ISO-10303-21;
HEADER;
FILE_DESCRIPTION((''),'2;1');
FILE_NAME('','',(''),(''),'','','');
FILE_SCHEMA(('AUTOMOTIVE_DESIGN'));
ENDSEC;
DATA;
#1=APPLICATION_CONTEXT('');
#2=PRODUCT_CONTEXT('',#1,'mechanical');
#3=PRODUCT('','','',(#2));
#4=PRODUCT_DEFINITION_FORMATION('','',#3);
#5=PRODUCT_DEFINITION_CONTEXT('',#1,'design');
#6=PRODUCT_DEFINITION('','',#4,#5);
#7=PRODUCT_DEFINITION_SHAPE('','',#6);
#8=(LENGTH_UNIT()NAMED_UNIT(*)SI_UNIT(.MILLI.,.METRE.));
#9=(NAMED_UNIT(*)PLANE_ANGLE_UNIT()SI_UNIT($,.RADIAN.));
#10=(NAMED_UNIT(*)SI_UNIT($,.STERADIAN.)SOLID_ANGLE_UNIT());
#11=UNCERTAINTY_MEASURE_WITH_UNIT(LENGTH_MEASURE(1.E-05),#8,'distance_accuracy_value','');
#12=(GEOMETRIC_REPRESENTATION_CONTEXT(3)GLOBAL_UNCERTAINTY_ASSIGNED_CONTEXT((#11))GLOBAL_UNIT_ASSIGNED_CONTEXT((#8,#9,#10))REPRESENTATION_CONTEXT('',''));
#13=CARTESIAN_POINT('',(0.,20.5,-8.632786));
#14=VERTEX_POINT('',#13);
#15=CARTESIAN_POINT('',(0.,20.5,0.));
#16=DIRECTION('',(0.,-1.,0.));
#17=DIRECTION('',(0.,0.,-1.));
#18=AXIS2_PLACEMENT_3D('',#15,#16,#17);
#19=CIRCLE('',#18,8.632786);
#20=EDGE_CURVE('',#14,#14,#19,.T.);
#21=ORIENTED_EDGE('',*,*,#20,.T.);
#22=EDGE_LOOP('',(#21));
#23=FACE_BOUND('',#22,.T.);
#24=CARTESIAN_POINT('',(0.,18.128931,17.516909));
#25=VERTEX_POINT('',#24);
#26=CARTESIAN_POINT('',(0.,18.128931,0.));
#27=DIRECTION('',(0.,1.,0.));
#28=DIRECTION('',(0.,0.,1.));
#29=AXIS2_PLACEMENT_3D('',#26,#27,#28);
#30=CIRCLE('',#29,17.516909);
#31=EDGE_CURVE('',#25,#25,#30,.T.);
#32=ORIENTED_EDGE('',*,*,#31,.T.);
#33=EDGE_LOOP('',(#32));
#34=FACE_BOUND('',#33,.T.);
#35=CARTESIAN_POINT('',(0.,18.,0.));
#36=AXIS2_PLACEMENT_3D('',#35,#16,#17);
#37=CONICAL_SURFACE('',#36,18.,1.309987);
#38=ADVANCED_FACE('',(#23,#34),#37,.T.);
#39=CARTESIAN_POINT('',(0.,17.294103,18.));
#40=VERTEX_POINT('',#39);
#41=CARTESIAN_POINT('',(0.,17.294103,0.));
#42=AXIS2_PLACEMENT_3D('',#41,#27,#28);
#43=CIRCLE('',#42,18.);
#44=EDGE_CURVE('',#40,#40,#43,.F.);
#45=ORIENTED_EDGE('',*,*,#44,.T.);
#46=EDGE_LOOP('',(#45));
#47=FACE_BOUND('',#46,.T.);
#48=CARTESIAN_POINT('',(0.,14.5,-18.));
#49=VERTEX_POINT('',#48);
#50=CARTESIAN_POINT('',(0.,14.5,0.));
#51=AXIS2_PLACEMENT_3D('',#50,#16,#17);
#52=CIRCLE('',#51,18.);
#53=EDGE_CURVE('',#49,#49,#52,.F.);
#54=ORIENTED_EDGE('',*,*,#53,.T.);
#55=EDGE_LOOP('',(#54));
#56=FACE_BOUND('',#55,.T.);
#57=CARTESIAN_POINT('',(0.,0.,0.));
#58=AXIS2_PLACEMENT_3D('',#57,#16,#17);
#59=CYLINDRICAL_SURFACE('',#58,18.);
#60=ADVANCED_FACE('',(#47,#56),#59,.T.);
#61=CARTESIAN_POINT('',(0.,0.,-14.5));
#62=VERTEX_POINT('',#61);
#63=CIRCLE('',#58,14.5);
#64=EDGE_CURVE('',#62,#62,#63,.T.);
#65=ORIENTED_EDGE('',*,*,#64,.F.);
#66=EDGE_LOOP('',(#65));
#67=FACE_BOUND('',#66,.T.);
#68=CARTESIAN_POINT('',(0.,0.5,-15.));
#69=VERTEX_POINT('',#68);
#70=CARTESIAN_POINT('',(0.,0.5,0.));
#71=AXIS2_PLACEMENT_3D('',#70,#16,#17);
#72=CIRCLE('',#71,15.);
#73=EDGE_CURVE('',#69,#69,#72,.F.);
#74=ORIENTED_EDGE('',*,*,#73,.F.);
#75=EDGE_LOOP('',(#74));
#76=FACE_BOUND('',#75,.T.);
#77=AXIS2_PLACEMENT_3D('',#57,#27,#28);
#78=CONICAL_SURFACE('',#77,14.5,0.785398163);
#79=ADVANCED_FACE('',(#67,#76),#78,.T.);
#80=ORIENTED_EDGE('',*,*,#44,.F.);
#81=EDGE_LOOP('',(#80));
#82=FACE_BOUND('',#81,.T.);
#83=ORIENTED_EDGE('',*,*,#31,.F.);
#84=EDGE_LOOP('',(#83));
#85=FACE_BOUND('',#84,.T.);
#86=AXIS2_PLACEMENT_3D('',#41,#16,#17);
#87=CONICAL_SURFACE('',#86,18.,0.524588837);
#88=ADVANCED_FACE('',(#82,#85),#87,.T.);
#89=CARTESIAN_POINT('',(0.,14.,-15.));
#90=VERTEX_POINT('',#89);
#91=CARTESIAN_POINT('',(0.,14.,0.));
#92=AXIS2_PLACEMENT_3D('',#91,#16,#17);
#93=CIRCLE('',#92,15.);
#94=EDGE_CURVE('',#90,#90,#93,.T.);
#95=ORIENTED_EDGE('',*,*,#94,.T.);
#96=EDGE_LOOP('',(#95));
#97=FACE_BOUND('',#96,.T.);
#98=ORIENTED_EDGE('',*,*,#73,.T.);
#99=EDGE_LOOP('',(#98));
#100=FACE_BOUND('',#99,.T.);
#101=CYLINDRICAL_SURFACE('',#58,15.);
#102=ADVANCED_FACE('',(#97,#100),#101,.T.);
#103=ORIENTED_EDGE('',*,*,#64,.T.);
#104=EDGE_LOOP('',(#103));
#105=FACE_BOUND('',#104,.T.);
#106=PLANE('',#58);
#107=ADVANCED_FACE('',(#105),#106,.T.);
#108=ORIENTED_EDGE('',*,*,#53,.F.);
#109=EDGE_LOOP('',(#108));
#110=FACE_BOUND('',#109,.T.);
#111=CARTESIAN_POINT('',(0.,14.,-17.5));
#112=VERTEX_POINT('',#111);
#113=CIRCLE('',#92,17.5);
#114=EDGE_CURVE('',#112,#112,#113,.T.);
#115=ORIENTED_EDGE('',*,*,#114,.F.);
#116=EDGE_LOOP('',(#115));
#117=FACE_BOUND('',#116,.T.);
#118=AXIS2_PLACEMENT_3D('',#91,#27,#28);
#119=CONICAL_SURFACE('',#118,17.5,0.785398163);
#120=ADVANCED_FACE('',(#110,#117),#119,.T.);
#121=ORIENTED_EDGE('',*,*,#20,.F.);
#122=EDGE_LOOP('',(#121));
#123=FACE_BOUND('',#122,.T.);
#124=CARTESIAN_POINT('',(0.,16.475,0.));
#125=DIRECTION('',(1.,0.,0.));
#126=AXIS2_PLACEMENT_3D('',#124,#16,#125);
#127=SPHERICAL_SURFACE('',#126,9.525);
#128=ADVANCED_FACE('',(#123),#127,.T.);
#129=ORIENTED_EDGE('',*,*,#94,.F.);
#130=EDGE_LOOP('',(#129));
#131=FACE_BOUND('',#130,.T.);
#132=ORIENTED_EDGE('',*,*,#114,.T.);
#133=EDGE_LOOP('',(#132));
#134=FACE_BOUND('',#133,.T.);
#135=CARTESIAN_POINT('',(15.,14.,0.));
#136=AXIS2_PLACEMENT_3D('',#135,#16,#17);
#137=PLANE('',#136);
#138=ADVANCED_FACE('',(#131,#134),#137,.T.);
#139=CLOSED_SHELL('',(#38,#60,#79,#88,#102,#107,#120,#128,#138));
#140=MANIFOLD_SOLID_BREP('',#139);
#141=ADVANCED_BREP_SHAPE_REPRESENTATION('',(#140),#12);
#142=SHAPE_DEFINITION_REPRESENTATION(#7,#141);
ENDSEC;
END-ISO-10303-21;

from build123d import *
from OCP.BRepFilletAPI import BRepFilletAPI_MakeChamfer

# Parameters (mm, degrees)
CHAMFER_1_SIZE  = 0.5
CHAMFER_1_SIZE2 = 0.70589663


with BuildPart() as part:
    # 草图2 → 旋转1 (revolve)
    with BuildSketch(Plane.XY, mode=Mode.PRIVATE) as revolve_1_sk:
        with BuildLine():
            Line((0, 0), (0, 26))
            ThreePointArc((0, 26), (5.117983001, 24.508173408), (8.63278634, 20.5))
            Line((8.63278634, 20.5), (18, 18))
            Line((18, 18), (18, 14))
            Line((18, 14), (15, 14))
            Line((15, 14), (15, 0))
            Line((15, 0), (0, 0))
        make_face()
    revolve(revolve_1_sk.sketch.rotate(Axis((0, 0, 0), (0, 1, 0)), 90), axis=Axis((0, 0, 0), (0, 1, 0)))

    # 倒角1: one chamfer whose edges measure the first distance from different faces: ONE call of the kernel's chamfer builder (chamfer() names one face for all edges)
    chamfer_1_edges_1 = [part.edges().sort_by_distance(p)[0] for p in [
        (0, 18, 18),
    ]]
    chamfer_1_side_1 = [part.faces().sort_by_distance(p)[0] for p in [
        (0, 19.25, 13.31639317),
    ]]
    chamfer_1_edges_2 = [part.edges().sort_by_distance(p)[0] for p in [
        (0, 14, 18),
        (0, 0, 15),
    ]]
    chamfer_1 = BRepFilletAPI_MakeChamfer(part.part.solid().wrapped)
    for e in chamfer_1_edges_1:
        chamfer_1.Add(CHAMFER_1_SIZE, CHAMFER_1_SIZE2, e.wrapped, chamfer_1_side_1[0].wrapped)  # the first distance lies on this face
    for e in chamfer_1_edges_2:
        chamfer_1.Add(CHAMFER_1_SIZE, e.wrapped)
    add(Compound.cast(chamfer_1.Shape()), mode=Mode.REPLACE)


solid = part.part
